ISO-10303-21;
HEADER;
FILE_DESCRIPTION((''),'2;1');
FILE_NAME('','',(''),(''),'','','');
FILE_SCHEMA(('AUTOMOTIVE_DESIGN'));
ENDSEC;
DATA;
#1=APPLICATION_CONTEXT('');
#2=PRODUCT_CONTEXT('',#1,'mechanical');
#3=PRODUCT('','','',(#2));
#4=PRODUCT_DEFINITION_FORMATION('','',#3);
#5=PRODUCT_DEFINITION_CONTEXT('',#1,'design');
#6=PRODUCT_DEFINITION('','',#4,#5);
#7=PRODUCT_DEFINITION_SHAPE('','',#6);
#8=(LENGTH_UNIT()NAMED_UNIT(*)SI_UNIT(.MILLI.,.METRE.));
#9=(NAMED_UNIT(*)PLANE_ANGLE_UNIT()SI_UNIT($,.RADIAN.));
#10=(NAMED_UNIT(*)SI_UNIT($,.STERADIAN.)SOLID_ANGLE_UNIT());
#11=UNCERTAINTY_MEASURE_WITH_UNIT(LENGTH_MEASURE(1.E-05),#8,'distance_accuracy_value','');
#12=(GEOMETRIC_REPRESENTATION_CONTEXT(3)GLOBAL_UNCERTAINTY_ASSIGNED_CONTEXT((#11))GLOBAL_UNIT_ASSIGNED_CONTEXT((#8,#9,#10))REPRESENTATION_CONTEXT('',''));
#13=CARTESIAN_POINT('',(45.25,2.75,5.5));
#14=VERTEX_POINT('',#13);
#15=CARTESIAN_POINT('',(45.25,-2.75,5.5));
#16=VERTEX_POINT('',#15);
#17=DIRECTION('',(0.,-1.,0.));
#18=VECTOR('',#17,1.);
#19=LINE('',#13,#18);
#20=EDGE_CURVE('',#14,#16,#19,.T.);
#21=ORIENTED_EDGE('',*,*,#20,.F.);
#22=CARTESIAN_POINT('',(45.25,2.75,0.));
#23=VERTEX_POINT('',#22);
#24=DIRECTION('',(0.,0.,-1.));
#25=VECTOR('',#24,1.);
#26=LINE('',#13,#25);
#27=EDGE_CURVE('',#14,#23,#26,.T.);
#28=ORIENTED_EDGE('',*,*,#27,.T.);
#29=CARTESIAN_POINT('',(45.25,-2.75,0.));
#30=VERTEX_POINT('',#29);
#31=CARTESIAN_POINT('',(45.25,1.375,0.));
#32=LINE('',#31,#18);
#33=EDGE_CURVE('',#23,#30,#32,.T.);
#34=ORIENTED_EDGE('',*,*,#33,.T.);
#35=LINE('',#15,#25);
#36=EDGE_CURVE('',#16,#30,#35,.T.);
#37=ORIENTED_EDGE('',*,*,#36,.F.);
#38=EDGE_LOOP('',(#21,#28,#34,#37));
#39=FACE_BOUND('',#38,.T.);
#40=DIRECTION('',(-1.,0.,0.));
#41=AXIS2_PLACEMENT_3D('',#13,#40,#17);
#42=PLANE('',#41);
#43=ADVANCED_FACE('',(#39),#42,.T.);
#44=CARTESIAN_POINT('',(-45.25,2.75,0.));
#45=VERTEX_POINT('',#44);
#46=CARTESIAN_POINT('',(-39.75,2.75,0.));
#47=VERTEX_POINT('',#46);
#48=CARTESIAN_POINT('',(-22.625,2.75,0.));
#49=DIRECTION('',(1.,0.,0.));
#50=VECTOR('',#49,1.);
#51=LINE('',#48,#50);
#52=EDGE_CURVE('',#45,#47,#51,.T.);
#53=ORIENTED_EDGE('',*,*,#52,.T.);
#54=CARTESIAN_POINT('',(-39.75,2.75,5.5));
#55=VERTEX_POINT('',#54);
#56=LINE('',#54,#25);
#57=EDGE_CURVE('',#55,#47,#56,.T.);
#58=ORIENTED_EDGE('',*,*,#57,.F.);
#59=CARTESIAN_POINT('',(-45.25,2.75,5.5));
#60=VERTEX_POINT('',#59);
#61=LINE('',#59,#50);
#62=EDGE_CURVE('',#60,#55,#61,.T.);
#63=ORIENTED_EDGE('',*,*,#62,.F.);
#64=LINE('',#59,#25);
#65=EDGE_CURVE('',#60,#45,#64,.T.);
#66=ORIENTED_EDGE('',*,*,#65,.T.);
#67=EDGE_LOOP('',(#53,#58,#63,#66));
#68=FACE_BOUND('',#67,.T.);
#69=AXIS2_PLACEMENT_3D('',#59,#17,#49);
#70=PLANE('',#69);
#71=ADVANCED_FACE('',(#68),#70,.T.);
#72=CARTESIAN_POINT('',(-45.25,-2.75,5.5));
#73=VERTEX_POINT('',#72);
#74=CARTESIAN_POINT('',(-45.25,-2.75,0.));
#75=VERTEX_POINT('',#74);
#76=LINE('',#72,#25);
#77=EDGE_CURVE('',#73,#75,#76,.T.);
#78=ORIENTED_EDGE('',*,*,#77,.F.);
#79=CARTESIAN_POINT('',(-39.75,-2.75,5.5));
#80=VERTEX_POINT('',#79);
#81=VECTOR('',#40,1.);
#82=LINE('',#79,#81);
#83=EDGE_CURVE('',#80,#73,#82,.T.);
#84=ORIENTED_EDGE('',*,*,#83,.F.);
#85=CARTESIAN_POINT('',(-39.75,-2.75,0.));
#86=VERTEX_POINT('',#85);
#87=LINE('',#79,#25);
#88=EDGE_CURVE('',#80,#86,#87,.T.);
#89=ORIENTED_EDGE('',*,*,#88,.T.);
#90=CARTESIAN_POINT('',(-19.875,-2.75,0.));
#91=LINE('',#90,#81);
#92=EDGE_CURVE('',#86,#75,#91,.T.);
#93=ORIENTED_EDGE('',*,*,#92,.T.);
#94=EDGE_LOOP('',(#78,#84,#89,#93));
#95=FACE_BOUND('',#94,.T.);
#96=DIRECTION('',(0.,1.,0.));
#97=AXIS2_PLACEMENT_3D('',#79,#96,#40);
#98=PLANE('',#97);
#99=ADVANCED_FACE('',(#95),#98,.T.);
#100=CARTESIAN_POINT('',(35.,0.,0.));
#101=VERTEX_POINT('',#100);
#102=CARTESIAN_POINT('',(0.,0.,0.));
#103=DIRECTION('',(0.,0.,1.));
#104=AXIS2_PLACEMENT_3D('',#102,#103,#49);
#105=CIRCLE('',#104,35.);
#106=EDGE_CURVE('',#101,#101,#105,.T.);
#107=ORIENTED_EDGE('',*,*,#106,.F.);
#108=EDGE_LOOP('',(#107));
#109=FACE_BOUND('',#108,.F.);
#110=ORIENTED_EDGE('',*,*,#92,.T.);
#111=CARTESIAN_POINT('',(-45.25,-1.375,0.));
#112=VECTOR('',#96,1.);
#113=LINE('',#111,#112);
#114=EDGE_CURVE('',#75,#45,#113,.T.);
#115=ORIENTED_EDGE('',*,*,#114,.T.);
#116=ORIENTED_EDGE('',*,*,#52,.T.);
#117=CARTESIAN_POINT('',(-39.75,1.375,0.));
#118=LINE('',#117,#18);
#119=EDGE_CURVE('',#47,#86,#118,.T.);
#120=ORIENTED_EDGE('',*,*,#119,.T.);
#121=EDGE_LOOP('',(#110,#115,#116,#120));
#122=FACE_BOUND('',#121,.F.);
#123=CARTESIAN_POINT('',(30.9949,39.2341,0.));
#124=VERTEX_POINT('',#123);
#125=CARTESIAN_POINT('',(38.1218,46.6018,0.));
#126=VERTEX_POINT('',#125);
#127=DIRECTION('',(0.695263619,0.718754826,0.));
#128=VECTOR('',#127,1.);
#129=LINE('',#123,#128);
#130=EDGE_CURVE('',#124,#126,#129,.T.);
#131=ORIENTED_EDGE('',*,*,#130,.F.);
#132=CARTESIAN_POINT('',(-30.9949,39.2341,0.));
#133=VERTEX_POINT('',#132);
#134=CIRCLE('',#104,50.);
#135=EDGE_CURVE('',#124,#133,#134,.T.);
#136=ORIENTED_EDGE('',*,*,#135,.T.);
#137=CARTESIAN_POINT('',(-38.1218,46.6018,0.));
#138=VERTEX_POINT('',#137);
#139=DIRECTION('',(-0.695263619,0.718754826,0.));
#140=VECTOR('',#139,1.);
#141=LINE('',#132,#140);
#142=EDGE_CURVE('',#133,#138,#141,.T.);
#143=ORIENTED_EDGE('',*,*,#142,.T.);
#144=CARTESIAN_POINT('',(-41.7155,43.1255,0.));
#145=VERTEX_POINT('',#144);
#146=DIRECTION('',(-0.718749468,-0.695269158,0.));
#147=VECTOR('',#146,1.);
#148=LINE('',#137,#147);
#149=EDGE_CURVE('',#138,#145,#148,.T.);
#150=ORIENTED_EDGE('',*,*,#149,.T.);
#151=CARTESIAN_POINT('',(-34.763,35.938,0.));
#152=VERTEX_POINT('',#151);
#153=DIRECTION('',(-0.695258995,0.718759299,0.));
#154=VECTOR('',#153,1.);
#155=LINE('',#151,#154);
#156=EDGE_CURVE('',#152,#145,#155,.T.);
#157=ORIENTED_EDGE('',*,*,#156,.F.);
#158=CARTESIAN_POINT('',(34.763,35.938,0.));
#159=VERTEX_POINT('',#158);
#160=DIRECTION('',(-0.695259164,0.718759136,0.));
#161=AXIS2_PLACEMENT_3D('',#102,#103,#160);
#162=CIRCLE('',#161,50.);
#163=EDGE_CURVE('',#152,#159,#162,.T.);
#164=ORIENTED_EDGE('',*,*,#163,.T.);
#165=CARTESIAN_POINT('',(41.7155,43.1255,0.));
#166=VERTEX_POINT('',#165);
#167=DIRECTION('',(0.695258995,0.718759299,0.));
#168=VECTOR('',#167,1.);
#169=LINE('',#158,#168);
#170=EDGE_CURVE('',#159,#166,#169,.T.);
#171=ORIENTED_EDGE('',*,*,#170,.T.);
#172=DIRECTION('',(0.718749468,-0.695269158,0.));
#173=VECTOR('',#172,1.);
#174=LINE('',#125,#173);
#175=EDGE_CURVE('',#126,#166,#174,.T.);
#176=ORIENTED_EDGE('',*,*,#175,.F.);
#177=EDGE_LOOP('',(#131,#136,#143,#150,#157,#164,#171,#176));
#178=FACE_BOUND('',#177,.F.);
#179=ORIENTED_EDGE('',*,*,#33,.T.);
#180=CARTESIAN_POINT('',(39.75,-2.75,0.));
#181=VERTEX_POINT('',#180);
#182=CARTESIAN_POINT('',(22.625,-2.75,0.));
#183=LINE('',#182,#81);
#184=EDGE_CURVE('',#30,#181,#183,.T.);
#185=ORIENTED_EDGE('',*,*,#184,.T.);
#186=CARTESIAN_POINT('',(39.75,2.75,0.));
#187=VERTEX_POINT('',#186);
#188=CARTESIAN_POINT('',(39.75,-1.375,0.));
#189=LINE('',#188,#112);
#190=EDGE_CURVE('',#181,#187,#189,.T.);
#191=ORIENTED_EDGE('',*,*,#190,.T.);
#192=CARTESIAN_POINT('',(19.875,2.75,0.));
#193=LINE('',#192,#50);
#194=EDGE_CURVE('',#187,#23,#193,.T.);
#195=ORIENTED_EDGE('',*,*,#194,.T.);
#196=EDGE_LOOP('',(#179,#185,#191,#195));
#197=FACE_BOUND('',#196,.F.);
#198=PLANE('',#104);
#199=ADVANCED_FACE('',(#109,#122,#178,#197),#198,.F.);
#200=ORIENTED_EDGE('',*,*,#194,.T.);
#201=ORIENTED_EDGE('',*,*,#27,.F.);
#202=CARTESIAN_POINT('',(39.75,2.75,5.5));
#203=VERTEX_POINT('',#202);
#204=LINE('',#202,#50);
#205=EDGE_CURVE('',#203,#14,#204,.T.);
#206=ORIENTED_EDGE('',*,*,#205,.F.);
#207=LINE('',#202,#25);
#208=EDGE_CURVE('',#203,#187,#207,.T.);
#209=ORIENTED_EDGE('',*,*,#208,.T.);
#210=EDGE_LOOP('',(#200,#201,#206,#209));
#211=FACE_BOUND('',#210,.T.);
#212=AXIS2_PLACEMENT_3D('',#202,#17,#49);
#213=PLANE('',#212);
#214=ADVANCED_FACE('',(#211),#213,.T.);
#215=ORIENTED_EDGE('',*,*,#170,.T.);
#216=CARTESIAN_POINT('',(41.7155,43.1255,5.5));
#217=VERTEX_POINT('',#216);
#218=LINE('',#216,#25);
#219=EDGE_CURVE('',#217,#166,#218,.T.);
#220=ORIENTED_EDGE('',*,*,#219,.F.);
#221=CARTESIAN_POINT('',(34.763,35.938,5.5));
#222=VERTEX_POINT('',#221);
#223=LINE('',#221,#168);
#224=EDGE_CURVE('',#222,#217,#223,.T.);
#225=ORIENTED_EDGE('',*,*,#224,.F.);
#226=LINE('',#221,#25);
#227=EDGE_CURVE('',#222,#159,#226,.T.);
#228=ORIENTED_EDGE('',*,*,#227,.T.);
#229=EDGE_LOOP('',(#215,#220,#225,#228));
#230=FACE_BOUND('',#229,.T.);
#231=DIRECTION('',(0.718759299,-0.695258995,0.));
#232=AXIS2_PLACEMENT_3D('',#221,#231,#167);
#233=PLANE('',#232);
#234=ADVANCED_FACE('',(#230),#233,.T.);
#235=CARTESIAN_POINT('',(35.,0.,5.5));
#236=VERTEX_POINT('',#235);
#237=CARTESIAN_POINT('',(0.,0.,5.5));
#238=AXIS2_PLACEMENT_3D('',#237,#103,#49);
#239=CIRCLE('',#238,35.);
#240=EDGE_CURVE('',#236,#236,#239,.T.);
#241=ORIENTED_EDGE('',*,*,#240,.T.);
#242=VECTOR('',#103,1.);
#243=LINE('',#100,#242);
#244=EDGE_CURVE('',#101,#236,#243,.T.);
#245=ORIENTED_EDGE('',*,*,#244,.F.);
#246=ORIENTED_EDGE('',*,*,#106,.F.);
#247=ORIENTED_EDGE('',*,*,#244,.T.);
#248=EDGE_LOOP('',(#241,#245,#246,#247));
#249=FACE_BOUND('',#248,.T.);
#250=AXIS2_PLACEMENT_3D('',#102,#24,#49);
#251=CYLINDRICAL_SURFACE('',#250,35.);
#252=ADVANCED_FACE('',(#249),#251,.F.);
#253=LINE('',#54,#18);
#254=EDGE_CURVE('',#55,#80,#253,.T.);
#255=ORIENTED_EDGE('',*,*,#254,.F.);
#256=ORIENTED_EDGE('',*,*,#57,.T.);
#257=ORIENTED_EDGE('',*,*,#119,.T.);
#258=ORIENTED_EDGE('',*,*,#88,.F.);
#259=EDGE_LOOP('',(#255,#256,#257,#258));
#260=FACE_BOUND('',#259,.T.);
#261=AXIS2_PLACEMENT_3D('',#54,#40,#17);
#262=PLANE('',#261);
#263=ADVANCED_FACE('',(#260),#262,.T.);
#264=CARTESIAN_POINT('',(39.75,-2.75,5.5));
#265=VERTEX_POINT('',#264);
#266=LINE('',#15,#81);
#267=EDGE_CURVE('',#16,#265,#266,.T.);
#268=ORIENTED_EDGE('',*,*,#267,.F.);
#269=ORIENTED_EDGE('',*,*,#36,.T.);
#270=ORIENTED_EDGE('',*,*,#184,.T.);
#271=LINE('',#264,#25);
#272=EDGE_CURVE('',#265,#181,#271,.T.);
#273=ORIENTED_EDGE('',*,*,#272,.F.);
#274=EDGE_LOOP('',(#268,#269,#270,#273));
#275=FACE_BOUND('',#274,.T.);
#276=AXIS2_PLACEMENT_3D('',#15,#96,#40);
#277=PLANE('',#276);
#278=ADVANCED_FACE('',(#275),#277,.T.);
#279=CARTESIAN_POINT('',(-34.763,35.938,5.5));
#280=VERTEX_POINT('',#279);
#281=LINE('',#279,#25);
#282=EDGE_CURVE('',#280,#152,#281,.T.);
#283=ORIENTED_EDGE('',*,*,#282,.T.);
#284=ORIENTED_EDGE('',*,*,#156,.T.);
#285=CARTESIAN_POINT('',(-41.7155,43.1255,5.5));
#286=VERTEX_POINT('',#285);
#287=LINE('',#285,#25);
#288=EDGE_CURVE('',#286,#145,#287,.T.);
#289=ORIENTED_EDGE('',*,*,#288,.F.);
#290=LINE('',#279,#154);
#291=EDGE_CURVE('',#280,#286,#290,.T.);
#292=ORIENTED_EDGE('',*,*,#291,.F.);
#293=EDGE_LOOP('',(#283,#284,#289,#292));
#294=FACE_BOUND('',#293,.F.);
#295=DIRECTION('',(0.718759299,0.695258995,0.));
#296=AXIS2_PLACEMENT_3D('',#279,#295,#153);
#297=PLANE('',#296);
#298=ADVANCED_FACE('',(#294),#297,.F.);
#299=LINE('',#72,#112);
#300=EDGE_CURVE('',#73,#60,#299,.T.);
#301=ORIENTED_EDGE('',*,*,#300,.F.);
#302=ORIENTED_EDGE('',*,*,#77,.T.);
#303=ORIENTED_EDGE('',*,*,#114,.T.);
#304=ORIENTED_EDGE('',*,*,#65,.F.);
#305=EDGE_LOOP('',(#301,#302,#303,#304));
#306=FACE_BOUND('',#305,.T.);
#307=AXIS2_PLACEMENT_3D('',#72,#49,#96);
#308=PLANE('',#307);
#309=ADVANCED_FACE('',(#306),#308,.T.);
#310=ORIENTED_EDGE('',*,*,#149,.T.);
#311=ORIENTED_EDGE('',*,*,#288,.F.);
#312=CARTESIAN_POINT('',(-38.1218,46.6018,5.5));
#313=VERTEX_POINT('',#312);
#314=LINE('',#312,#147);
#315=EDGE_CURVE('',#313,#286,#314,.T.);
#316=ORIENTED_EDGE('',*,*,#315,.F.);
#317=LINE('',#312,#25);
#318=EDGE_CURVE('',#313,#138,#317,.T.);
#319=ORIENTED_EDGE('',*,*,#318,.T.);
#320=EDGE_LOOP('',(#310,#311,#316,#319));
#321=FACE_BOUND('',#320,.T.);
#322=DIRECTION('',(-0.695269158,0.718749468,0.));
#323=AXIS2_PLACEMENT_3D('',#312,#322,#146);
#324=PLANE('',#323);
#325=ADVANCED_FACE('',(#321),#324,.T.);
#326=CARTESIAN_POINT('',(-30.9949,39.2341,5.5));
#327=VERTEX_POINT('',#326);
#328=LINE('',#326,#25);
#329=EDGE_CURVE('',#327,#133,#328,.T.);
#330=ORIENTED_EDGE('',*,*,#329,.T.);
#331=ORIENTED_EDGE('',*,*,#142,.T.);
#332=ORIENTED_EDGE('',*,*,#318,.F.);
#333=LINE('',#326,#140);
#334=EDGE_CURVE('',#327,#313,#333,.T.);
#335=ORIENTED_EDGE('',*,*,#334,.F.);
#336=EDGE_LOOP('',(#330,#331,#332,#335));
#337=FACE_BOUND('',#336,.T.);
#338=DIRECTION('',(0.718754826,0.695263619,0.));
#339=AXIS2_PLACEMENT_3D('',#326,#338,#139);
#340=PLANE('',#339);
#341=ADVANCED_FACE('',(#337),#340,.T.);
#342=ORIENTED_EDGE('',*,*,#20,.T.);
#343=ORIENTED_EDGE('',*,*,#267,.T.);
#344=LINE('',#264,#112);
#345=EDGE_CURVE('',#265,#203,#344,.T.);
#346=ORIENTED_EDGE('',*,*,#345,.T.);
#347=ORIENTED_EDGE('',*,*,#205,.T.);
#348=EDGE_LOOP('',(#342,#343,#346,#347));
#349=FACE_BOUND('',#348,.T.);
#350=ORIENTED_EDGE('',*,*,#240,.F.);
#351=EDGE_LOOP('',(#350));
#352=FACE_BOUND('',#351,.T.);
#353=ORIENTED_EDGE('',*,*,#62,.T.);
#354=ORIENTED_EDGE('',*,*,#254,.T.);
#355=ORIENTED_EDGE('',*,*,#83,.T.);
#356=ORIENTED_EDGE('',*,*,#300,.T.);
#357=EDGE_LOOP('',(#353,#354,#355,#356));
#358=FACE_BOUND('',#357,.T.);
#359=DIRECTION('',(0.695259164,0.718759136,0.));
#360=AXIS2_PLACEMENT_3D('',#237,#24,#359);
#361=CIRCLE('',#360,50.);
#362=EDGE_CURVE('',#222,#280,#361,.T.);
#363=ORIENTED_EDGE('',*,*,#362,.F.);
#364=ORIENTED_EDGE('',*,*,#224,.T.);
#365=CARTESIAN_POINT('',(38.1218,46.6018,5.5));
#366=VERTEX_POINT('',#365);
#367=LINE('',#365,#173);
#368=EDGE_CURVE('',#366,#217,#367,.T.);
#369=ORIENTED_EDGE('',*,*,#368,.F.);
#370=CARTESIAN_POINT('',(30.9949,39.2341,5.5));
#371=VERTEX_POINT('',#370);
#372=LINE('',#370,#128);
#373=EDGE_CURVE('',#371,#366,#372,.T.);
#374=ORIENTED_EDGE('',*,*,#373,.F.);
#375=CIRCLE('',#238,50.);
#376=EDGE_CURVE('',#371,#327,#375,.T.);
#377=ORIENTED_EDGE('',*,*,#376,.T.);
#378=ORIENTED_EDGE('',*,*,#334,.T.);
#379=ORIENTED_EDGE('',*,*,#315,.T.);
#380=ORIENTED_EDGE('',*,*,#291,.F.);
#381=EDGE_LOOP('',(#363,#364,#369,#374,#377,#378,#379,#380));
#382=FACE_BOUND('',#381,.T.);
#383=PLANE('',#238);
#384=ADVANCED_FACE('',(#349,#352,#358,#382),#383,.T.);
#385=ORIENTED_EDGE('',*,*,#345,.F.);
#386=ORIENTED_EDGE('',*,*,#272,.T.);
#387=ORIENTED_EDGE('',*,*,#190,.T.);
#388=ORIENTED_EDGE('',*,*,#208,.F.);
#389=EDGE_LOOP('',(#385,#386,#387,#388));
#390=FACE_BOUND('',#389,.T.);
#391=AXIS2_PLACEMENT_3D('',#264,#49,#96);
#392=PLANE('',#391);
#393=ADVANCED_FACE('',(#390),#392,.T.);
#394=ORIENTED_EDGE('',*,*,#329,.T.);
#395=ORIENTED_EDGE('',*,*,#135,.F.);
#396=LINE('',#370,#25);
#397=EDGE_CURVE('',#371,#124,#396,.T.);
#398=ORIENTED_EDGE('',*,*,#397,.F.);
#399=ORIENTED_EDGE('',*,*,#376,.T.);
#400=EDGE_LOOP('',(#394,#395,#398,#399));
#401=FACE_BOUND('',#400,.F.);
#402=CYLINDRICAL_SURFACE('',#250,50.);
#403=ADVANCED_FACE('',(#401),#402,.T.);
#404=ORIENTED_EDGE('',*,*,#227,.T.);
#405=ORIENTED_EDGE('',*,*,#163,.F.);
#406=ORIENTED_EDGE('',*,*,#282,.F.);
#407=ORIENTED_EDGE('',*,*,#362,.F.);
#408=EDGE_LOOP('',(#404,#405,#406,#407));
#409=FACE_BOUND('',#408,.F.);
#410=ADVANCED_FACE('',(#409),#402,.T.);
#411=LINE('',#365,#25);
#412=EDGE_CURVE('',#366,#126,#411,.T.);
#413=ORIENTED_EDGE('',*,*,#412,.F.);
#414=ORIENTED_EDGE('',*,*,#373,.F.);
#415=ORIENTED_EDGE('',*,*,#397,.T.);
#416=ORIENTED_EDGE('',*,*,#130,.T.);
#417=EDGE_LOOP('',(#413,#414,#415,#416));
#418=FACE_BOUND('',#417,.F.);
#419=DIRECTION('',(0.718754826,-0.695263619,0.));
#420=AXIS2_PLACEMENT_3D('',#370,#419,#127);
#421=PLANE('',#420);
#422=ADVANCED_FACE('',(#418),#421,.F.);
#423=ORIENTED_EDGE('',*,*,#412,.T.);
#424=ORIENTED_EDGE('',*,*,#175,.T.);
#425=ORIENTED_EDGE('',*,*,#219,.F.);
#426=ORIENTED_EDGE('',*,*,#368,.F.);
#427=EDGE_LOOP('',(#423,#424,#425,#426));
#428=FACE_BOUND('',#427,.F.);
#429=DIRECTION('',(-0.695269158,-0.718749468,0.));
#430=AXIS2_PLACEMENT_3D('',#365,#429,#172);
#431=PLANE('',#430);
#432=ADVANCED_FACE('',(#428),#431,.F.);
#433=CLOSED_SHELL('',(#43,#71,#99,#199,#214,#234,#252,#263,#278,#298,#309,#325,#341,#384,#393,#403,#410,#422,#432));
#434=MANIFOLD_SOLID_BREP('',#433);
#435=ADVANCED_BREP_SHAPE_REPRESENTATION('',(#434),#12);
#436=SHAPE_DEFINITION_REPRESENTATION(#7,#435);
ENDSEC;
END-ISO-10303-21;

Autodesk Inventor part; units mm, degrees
ref_plane "YZ Plane" through (0, 0, 0) normal (1, 0, 0) x (0, 1, 0)
ref_plane "XZ Plane" through (0, 0, 0) normal (0, 1, 0) x (-1, 0, 0)
ref_plane "XY Plane" through (0, 0, 0) normal (0, 0, 1) x (1, 0, 0)
sketch "Sketch1" plane through (0, 0, 0) normal (0, 0, 1) x (1, 0, 0)
  circle A0 centre (0, 0) radius 50
  circle A1 centre (0, 0) radius 35
  dimension "d0" = 100
  dimension "d1" = 70
extrude "Extrusion1" add sketch "Sketch1" along normal blind 5.5
sketch "Sketch4" plane through (0, 0, 5.5) normal (0, 0, 1) x (1, 0, 0)
  line L0 (39.75, 2.75) -> (45.25, 2.75)
  line L1 (45.25, 2.75) -> (45.25, -2.75)
  line L2 (45.25, -2.75) -> (39.75, -2.75)
  line L3 (39.75, -2.75) -> (39.75, 2.75)
  line L4 (-39.75, -2.75) -> (-45.25, -2.75)
  line L5 (-45.25, -2.75) -> (-45.25, 2.75)
  line L6 (-45.25, 2.75) -> (-39.75, 2.75)
  line L7 (-39.75, 2.75) -> (-39.75, -2.75)
  point P0 (0, 0)
  dimension "d13" = 5.5
  dimension "d14" = 5.5
  dimension "d17" = 360
extrude "Extrusion3" cut sketch "Sketch4" against normal blind 10
sketch "Sketch5" plane through (0, 0, 5.5) normal (0, 0, 1) x (1, 0, 0)
  circle A0 centre (0, 0) radius 50 projected
  line L0 (34.763, 35.938) -> (41.7155, 43.1255)
  line L1 (30.9949, 39.2341) -> (38.1218, 46.6018)
  line L2 (38.1218, 46.6018) -> (41.7155, 43.1255)
  line L3 (-34.763, 35.938) -> (-41.7155, 43.1255)
  line L4 (-30.9949, 39.2341) -> (-38.1218, 46.6018)
  line L5 (-38.1218, 46.6018) -> (-41.7155, 43.1255)
  arc A1 (-34.763, 35.938) -> (-30.9949, 39.2341) centre (-33.5607, 38.3654) ccw
  arc A2 (30.9949, 39.2341) -> (34.763, 35.938) centre (32.7963, 37.4916) ccw
  dimension "d21" = 10
  dimension "d22" = 5
extrude "Extrusion4" add sketch "Sketch5" against normal blind 5.5 contours A0 L1 L2 L0 | L3 L5 L4 A0 | A0 A1
properties part number "central"
